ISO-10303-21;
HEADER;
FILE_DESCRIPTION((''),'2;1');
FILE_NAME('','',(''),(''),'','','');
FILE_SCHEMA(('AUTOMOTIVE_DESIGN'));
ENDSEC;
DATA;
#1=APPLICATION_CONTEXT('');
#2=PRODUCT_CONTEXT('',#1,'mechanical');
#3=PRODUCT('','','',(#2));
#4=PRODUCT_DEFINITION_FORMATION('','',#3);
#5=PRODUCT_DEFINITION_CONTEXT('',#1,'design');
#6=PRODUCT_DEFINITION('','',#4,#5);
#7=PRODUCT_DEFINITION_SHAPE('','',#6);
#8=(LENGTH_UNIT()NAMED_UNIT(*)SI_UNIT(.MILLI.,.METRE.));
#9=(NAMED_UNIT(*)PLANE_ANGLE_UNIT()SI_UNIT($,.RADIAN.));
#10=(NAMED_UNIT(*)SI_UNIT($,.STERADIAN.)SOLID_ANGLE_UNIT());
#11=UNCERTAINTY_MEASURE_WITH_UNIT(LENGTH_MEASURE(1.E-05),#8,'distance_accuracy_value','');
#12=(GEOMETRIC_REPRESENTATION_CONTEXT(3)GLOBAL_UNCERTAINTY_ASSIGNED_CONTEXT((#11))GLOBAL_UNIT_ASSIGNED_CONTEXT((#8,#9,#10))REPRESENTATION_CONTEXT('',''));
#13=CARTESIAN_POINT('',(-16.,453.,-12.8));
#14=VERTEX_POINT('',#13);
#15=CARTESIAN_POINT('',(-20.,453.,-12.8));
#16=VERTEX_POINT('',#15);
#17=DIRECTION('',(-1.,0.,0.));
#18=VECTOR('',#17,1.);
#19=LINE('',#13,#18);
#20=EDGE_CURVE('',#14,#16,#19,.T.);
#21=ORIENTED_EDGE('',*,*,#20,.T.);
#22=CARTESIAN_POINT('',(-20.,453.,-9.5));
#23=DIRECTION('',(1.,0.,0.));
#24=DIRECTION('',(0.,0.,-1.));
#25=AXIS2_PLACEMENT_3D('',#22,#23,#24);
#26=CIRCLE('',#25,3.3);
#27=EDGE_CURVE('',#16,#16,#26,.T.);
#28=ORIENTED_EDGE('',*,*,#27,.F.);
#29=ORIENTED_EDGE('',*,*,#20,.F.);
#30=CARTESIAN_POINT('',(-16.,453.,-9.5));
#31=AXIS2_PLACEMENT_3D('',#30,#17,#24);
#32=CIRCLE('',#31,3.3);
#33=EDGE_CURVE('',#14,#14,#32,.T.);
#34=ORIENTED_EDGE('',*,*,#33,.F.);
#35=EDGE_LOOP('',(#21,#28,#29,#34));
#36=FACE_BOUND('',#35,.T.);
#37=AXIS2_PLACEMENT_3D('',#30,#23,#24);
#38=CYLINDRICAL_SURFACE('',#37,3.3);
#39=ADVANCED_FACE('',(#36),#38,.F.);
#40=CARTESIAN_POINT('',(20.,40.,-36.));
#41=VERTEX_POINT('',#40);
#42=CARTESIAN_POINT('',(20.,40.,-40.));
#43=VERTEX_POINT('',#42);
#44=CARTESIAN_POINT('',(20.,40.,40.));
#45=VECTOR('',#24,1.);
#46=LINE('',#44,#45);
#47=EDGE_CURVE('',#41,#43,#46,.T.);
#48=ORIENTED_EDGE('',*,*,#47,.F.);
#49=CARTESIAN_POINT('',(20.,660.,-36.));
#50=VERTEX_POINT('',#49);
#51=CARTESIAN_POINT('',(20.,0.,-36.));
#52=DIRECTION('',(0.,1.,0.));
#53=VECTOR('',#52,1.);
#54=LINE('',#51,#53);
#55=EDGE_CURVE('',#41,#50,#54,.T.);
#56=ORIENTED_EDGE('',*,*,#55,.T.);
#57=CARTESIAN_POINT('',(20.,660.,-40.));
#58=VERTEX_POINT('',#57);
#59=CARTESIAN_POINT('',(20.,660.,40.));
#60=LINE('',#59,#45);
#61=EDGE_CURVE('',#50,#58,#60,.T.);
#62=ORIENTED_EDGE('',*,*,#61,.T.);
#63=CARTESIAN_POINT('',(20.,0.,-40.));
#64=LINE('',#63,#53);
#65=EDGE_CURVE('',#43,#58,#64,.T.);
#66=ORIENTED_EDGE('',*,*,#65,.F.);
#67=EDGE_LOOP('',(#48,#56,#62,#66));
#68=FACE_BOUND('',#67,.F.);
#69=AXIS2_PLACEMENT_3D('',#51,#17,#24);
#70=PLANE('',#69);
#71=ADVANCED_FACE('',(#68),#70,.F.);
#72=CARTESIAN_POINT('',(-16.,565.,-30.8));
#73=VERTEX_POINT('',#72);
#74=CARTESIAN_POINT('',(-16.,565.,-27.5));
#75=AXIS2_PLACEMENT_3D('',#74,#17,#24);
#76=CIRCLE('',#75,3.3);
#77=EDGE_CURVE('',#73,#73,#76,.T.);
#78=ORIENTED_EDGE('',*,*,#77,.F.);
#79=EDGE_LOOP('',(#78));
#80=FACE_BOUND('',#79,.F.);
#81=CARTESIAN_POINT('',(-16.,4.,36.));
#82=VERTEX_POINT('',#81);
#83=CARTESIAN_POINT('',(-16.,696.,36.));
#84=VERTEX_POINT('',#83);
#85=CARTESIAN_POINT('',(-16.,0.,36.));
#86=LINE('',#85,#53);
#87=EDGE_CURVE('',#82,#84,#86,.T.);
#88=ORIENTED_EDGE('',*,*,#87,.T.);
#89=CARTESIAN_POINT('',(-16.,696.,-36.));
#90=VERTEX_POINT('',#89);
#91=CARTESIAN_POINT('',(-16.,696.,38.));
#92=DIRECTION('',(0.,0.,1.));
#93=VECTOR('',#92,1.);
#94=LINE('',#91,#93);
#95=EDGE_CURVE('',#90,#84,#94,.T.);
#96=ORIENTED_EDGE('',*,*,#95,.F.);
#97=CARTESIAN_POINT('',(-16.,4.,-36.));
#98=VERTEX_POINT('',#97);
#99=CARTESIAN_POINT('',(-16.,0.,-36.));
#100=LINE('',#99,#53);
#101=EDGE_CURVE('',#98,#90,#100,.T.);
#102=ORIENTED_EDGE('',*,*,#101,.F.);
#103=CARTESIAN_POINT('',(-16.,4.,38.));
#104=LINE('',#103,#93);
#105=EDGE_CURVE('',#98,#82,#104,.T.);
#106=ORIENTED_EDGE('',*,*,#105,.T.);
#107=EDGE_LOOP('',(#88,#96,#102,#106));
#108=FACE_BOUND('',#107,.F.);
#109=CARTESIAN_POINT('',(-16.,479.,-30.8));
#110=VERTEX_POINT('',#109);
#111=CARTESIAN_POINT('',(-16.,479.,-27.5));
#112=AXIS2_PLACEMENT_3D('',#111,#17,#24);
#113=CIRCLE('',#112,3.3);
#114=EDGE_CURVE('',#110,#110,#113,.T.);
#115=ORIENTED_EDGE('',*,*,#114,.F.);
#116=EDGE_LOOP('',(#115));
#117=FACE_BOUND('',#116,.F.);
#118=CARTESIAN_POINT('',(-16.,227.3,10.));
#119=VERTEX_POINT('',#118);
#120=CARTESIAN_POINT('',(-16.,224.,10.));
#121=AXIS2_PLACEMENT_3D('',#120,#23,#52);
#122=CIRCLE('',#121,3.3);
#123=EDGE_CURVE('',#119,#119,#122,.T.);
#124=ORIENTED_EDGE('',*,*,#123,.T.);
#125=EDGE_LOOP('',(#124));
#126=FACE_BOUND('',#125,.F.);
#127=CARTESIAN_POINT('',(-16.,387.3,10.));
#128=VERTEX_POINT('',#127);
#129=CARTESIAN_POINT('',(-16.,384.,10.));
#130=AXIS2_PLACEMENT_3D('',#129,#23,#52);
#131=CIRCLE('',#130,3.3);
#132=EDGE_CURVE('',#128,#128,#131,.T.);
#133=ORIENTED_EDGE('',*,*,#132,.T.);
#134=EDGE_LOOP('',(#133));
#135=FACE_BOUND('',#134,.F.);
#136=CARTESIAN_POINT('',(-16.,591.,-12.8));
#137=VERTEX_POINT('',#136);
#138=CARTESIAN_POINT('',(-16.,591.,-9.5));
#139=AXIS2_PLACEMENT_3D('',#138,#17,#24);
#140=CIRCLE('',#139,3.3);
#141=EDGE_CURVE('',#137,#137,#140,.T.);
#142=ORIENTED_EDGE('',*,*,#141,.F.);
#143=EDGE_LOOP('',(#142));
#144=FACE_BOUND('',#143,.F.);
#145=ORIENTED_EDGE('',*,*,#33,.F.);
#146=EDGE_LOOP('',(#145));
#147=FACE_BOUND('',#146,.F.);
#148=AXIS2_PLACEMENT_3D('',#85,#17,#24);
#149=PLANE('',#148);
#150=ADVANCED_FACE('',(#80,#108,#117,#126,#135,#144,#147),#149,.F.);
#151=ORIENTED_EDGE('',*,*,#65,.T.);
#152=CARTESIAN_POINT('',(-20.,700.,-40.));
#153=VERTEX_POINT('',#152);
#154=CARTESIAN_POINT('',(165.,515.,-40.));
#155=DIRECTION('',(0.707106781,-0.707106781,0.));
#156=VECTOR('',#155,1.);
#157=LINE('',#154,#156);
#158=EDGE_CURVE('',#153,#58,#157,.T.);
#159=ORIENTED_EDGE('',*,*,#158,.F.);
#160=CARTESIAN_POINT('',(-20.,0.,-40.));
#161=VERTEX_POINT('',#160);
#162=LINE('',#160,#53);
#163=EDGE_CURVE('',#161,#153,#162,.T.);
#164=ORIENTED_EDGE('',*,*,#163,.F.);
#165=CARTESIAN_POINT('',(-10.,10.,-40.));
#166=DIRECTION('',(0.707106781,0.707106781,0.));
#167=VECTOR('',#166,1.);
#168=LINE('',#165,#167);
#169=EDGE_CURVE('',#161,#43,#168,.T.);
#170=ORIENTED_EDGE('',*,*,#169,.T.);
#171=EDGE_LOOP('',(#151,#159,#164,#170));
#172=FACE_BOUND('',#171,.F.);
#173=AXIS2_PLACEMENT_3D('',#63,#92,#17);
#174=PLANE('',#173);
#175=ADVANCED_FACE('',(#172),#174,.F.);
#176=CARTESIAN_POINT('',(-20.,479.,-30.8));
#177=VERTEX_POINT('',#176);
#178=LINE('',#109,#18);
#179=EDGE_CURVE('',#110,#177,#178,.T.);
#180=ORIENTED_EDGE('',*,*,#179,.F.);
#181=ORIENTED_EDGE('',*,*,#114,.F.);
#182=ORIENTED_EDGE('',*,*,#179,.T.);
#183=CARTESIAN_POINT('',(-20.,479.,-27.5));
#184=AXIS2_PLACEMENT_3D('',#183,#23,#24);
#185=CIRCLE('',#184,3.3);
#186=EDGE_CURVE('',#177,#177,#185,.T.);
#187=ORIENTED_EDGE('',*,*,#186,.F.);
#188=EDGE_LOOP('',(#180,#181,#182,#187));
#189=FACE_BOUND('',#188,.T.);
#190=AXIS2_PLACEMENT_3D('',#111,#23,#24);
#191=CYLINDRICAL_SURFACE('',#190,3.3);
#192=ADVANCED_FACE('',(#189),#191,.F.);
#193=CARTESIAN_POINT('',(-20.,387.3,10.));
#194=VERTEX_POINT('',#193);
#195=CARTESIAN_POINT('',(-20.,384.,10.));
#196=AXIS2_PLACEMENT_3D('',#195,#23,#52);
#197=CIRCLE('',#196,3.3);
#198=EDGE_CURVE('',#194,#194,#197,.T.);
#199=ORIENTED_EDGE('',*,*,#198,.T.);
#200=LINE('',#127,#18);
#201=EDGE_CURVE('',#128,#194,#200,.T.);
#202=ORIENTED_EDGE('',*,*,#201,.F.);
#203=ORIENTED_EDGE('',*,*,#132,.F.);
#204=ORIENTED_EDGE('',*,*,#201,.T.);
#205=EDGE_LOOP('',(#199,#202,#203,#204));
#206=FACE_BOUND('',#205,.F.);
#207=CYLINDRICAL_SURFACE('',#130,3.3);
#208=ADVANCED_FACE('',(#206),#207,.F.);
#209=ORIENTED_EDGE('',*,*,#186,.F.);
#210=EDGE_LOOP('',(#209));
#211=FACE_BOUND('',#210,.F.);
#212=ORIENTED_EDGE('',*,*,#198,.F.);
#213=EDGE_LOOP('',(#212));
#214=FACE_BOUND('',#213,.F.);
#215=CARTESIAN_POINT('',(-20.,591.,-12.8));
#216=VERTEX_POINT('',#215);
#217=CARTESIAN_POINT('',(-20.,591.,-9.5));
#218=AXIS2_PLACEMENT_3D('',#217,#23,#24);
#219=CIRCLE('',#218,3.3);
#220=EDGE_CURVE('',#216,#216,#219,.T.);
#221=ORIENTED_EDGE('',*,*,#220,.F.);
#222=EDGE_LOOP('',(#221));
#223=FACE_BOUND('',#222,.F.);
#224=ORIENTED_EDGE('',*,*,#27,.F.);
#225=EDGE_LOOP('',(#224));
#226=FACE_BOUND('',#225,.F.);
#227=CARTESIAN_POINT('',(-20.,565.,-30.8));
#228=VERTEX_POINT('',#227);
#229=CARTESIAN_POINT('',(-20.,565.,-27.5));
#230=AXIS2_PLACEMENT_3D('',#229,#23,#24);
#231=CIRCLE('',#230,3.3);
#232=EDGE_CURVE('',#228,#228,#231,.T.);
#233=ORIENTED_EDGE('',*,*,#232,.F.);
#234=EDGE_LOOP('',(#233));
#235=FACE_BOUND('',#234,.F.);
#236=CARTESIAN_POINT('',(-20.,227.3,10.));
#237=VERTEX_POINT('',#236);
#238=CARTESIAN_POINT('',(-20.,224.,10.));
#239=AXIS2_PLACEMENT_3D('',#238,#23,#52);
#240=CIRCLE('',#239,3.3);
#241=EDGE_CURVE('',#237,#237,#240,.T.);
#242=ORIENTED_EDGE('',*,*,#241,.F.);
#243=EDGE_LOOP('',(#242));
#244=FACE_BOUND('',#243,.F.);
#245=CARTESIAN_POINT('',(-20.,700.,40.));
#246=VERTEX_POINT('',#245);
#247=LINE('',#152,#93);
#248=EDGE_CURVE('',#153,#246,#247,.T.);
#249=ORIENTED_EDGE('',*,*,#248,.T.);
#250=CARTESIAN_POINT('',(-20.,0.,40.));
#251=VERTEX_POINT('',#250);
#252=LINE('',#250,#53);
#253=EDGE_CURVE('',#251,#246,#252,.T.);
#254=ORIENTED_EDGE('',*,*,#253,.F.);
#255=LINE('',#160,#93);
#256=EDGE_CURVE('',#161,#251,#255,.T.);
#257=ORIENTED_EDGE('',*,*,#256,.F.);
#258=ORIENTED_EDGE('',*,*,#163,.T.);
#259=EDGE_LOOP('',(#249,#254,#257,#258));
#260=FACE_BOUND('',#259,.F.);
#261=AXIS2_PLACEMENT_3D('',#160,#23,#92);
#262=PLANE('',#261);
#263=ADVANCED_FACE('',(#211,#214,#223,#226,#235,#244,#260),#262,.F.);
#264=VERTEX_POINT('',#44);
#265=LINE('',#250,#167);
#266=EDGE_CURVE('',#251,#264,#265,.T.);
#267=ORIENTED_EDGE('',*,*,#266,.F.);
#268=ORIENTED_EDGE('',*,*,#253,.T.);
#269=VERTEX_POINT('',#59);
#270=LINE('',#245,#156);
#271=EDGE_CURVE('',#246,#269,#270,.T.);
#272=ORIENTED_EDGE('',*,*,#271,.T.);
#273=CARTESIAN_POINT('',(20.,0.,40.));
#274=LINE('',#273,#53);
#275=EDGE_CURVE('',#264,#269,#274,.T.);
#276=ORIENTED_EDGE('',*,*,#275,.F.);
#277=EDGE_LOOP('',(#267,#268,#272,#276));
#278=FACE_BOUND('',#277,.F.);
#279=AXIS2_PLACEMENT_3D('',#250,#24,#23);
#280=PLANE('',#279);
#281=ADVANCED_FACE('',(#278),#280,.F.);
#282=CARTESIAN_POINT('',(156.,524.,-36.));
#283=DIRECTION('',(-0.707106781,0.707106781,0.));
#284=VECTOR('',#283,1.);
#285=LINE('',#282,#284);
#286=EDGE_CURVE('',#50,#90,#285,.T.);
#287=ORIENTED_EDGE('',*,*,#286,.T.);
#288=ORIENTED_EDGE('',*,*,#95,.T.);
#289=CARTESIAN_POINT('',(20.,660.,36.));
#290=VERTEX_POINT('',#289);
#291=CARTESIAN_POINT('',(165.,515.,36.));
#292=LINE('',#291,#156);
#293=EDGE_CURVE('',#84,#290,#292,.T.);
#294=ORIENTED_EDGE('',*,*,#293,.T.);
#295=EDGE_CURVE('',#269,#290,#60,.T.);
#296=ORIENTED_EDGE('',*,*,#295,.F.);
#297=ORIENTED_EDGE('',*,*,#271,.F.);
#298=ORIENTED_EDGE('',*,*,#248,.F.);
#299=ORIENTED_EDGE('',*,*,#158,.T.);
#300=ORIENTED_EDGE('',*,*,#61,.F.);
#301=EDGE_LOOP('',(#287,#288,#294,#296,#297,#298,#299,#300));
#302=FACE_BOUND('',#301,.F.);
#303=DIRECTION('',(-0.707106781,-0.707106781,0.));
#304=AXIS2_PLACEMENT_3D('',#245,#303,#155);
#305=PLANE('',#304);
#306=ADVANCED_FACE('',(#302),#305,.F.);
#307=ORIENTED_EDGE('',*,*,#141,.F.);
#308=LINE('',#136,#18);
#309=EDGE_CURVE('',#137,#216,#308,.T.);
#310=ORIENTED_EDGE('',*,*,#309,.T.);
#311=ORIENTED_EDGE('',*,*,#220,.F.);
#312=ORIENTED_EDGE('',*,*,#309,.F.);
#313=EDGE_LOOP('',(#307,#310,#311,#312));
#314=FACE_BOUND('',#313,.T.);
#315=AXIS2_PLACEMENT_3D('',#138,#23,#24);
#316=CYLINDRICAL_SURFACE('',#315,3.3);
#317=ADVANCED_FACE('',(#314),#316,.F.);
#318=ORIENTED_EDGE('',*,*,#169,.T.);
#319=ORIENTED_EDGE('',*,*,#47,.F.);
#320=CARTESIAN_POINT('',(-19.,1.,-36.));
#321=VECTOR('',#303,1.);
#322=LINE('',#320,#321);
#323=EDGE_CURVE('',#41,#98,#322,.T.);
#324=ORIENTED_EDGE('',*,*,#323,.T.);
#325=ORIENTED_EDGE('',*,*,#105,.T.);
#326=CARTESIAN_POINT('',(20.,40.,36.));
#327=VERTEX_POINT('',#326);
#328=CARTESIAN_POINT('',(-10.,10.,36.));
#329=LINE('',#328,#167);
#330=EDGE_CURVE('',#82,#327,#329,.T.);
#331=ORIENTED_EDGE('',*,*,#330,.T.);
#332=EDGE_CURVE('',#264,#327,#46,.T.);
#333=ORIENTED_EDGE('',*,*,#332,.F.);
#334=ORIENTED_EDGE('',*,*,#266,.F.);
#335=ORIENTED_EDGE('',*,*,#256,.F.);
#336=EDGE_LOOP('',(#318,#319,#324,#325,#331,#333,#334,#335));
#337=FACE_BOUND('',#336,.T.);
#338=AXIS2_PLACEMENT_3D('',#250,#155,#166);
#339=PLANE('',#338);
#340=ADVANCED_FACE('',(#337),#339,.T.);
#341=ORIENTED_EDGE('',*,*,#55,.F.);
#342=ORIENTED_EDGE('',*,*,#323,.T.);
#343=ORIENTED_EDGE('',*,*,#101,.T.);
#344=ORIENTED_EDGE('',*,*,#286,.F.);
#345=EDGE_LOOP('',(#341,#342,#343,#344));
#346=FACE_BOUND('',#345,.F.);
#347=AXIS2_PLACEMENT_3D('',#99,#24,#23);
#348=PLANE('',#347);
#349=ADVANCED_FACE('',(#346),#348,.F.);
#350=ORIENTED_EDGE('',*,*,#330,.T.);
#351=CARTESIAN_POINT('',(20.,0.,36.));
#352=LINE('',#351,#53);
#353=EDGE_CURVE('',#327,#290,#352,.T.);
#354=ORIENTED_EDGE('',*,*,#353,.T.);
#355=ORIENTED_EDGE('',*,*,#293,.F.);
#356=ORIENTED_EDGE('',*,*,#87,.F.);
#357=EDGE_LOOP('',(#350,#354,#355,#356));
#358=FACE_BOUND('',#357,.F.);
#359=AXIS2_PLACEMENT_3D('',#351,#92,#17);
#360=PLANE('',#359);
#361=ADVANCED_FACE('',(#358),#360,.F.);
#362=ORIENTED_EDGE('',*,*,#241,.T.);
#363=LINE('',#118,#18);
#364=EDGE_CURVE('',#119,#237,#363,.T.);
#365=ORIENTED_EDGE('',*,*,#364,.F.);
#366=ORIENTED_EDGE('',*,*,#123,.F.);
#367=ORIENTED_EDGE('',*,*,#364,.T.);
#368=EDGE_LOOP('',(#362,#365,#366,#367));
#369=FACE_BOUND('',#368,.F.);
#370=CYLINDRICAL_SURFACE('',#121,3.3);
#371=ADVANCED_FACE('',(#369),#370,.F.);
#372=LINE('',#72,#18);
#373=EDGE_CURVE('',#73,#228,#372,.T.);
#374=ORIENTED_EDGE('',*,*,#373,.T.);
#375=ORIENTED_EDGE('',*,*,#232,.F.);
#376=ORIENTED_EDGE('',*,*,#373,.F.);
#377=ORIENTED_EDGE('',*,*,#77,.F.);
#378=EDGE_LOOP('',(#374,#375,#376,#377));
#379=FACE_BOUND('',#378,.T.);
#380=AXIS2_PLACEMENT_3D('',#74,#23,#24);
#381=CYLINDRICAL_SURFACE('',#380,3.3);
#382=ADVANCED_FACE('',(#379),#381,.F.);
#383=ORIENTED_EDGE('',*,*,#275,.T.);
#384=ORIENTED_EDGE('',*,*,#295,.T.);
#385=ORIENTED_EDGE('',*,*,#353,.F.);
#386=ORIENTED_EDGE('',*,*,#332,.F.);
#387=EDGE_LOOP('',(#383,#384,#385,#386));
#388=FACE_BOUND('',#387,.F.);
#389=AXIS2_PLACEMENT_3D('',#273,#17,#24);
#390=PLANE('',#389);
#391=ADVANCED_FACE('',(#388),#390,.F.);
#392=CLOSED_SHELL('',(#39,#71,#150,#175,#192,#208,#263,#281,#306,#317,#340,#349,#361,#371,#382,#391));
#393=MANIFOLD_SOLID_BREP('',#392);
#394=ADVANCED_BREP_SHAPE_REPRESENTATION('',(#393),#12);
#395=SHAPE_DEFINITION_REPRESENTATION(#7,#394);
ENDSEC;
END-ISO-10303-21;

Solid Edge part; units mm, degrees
sketch "Sketch1" plane through (0, 0, 0) normal (0, -1, 0) x (1, 0, 0)
  line L0 (20, 36) -> (-16, 36)
  line L1 (-16, 36) -> (-16, -36)
  line L2 (-16, -36) -> (20, -36)
  line L3 (20, -36) -> (20, -40)
  line L4 (20, -40) -> (-20, -40)
  line L5 (-20, -40) -> (-20, 40)
  line L6 (-20, 40) -> (20, 40)
  line L7 (20, 40) -> (20, 36)
  dimension "D1" = 40
  dimension "D2" = 4
  dimension "D3" = 4
  dimension "D4" = 80
  dimension "D5" = 4
extrude "Protrusion1" add sketch "Sketch1" against normal blind 700
sketch "Sketch2" plane through (0, 350, 40) normal (0, 0, 1) x (0, 1, 0)
  line L0 (-350, 20) -> (-310, -20)
extrude "Cutout1" cut sketch "Sketch2" against normal through all material side at (0.0354, 19.9646, 40)
sketch "Sketch3" plane through (0, 350, 40) normal (0, 0, 1) x (0, 1, 0)
  line L0 (350, 20) -> (310, -20)
extrude "Cutout2" cut sketch "Sketch3" against normal through all material side at (0.0354, 680.0354, 40)
sketch "Sketch4" plane through (-16, 350, 0) normal (1, 0, 0) x (0, 1, 0)
  circle A0 centre (-126, 10) radius 3.3
  circle A1 centre (34, 10) radius 3.3
  dimension "D1" = 6.6
  dimension "D2" = 160
  dimension "D3" = 50
  dimension "D4" = 316
extrude "Cutout3" cut sketch "Sketch4" against normal through all
hole "Bohrung_1" at (-16, 591, -9.5) direction (-1, 0, 0) diameter 6.6 end up to next
hole "Hole1" at (-16, 565, -27.5) direction (-1, 0, 0) diameter 6.6 end up to next
hole "Hole2" at (-16, 453, -9.5) direction (-1, 0, 0) diameter 6.6 end up to next
hole "Hole3" at (-16, 479, -27.5) direction (-1, 0, 0) diameter 6.6 end up to next
